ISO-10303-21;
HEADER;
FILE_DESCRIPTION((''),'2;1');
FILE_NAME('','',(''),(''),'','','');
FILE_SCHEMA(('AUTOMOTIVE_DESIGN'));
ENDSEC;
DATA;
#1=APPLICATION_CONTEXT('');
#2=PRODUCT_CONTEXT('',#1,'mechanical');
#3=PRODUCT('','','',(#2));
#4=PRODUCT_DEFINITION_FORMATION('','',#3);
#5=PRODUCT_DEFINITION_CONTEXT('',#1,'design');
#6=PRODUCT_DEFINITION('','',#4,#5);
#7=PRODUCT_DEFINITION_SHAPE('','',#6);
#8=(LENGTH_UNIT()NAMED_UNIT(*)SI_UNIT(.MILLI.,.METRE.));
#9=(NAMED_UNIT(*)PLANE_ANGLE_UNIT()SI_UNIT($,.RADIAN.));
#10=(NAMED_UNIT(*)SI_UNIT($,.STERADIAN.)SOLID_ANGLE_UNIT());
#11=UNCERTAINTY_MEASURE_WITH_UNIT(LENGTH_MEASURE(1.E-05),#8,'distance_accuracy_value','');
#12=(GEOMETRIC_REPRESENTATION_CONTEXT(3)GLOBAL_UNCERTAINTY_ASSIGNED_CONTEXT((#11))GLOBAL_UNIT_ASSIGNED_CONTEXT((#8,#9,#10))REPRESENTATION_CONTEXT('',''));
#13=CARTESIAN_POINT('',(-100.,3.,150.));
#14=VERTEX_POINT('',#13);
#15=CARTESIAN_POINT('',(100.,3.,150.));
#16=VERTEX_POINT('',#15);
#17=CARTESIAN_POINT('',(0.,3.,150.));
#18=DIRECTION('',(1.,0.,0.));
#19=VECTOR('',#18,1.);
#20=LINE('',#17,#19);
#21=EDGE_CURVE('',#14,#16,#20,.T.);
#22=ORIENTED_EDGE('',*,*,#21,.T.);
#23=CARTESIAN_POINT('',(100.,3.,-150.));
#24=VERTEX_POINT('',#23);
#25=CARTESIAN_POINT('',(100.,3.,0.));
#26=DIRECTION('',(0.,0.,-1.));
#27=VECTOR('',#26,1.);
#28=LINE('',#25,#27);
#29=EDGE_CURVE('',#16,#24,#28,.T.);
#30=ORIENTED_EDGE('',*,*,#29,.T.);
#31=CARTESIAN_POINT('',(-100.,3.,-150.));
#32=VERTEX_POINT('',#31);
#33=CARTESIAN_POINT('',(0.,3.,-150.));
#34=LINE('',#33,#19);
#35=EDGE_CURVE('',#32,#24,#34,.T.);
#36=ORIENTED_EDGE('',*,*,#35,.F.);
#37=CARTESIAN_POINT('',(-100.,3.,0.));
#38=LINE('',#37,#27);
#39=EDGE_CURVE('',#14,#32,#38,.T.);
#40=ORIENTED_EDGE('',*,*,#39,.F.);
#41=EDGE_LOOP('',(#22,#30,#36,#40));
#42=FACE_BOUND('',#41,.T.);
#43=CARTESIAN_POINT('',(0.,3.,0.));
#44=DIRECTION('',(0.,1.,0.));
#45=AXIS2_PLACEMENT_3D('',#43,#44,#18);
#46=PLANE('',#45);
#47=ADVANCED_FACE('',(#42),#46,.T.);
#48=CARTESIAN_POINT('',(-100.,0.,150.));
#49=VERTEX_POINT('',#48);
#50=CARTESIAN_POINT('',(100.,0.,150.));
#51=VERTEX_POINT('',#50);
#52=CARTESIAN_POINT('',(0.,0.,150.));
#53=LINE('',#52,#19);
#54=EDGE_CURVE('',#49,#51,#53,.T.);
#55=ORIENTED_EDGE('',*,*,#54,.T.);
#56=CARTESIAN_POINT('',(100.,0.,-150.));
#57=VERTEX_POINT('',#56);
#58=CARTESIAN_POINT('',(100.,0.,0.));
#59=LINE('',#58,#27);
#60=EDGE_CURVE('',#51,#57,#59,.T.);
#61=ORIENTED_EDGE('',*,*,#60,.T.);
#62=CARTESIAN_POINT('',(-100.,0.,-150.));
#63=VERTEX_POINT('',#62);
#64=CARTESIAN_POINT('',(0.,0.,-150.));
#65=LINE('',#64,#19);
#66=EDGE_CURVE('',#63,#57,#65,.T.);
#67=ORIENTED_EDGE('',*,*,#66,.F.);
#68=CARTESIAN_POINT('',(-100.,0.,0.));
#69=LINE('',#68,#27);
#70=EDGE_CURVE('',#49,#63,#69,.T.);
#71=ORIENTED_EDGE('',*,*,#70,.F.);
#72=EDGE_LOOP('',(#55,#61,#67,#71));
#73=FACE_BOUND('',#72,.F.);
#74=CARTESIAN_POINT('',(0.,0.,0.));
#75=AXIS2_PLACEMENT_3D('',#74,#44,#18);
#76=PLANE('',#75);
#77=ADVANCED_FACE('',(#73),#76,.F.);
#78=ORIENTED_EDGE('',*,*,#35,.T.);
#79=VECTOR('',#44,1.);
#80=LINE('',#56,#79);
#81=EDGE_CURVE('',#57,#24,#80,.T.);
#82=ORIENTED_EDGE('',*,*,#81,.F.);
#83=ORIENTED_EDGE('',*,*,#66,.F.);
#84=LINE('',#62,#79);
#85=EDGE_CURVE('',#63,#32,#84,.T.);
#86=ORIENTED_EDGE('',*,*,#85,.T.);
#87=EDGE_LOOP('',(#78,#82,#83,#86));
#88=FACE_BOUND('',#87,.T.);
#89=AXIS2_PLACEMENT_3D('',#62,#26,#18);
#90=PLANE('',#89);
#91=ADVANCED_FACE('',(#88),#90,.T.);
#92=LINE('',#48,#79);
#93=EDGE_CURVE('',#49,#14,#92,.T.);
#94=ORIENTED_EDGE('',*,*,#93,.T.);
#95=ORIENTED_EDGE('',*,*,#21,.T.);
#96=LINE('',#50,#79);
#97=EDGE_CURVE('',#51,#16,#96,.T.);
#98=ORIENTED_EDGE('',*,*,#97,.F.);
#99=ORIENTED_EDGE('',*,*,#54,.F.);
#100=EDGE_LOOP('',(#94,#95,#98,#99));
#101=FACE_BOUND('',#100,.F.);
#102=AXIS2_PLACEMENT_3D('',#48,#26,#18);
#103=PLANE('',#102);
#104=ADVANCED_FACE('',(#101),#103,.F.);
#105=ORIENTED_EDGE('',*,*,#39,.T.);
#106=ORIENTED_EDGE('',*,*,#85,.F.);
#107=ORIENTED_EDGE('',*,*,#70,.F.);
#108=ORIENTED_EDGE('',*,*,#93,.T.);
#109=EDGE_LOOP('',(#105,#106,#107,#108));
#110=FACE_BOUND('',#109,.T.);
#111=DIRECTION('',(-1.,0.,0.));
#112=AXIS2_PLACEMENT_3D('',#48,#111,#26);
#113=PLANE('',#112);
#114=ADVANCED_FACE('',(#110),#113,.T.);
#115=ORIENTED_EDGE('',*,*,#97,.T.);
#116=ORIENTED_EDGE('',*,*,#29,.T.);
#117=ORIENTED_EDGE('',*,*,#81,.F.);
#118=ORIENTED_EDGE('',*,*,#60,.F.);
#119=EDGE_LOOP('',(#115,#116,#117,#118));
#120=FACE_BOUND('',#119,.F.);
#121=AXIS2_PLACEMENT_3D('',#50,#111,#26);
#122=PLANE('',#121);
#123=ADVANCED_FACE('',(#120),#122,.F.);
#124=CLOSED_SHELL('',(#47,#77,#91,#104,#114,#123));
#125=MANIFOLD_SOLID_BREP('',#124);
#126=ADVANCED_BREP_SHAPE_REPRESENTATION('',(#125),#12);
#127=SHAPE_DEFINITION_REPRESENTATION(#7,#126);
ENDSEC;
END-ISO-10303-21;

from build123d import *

# Parameters (mm, degrees)
SKETCH1_W           = 200
SKETCH1_H           = 300
BOSS_EXTRUDE1_DEPTH = 3


with BuildPart() as part:
    # Sketch1 → Boss-Extrude1 (new body)
    with BuildSketch(Plane(origin=(0, 0, 0), x_dir=(1, 0, 0), z_dir=(0, 1, 0))):
        Rectangle(SKETCH1_W, SKETCH1_H)
    extrude(amount=BOSS_EXTRUDE1_DEPTH)


solid = part.part
